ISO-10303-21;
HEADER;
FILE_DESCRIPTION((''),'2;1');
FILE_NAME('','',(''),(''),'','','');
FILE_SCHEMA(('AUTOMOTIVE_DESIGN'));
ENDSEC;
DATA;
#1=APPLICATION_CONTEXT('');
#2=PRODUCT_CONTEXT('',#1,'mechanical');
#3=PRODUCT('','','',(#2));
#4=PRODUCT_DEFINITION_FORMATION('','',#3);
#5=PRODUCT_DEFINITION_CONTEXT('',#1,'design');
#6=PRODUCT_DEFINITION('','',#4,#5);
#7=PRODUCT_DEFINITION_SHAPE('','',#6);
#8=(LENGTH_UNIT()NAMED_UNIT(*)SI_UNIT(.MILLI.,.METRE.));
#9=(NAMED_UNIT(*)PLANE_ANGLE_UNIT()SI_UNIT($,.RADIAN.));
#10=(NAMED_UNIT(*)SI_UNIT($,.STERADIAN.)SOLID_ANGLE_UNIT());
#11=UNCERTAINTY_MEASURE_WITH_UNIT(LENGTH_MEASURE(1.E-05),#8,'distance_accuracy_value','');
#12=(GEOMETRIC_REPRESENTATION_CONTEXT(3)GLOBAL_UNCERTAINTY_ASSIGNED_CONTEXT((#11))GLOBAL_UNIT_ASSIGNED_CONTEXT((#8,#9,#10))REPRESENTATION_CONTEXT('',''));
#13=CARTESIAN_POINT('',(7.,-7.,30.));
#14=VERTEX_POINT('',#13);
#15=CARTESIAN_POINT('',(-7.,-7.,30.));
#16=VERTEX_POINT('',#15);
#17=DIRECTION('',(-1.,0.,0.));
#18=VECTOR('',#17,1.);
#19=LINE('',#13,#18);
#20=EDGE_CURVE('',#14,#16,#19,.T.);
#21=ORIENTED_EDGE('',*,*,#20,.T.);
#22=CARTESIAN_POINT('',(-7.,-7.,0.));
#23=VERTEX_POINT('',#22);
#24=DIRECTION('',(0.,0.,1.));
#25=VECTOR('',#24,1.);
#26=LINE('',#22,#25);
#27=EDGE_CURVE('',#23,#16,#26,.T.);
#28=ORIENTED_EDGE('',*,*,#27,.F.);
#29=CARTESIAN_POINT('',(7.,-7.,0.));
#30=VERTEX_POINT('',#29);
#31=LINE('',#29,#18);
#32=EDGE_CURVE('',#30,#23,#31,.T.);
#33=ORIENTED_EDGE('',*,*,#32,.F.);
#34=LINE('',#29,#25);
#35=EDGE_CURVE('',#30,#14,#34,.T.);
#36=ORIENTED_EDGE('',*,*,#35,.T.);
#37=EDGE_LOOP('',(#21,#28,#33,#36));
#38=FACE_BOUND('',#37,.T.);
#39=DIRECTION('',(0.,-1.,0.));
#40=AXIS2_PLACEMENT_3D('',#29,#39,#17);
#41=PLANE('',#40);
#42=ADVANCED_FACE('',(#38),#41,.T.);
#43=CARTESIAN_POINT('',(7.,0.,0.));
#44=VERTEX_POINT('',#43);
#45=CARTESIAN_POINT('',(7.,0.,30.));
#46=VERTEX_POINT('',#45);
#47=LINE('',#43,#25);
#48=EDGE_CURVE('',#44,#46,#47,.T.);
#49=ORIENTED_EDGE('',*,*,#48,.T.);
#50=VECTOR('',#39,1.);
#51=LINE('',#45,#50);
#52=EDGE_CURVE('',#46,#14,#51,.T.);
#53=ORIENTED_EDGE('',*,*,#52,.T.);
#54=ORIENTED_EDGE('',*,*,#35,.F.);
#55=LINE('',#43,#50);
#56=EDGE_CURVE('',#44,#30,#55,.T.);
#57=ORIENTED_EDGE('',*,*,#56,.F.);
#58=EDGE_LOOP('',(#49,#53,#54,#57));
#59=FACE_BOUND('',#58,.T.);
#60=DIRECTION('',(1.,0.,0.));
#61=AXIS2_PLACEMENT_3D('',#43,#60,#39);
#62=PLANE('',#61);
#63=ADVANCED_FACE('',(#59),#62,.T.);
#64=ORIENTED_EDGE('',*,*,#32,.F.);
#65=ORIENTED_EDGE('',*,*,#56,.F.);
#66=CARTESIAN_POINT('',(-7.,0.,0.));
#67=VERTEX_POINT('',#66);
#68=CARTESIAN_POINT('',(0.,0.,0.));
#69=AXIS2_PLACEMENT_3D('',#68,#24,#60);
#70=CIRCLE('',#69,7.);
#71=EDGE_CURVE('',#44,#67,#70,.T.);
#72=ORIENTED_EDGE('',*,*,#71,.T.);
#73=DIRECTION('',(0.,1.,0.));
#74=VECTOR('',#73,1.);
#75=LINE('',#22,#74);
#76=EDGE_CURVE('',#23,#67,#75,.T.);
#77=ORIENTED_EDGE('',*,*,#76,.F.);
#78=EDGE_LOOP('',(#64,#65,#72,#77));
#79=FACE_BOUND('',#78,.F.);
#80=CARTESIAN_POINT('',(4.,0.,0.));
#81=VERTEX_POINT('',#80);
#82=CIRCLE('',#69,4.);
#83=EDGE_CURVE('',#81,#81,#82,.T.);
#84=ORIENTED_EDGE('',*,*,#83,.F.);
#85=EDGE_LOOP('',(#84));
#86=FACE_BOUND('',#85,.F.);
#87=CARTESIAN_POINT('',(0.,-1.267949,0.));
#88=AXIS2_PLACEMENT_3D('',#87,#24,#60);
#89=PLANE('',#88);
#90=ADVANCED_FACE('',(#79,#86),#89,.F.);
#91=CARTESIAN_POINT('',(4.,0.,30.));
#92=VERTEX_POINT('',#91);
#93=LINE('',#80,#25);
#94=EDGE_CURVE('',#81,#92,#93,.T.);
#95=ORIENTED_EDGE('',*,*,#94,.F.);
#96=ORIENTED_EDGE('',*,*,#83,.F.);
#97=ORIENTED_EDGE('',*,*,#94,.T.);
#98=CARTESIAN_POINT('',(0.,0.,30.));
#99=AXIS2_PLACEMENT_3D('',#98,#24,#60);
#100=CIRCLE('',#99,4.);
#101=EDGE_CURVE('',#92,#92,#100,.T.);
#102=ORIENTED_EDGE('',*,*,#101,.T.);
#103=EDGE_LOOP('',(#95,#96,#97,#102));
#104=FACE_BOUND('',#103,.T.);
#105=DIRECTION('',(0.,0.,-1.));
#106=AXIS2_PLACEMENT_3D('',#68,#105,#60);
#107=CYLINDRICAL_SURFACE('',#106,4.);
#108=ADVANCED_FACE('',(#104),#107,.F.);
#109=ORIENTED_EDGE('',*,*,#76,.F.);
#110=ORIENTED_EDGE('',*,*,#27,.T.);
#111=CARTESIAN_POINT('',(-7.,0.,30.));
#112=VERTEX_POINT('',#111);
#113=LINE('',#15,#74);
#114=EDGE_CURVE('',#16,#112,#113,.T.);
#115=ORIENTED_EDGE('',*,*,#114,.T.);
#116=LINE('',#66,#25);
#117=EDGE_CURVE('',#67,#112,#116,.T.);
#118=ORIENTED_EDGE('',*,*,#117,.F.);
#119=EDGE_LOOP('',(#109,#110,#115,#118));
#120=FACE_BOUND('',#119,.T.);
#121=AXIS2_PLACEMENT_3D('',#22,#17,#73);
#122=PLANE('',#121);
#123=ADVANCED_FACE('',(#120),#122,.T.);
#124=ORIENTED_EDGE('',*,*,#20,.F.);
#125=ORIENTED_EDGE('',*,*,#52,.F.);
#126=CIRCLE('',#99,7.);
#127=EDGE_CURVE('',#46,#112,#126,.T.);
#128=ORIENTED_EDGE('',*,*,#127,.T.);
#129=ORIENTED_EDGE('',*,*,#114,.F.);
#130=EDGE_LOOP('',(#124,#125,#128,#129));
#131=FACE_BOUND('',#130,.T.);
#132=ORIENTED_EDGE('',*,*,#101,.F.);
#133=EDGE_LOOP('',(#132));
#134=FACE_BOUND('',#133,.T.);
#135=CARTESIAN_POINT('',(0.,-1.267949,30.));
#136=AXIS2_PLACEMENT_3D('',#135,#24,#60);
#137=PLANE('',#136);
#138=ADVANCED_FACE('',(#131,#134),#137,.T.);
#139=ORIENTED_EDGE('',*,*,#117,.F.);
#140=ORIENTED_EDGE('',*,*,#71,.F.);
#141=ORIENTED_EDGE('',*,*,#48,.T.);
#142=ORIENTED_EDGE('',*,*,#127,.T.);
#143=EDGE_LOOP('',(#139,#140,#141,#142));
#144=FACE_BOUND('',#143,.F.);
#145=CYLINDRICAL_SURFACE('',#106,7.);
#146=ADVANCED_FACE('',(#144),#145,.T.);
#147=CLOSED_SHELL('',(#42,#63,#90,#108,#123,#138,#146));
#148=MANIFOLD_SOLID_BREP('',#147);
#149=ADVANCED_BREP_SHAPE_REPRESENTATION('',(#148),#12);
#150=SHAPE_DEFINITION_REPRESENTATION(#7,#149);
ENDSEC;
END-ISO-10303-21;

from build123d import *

# Parameters (mm, degrees)
SKETCH_R  = 4
PAD_DEPTH = 30


with BuildPart() as part:
    # Sketch → Pad (new body)
    with BuildSketch(Plane.XY):
        with BuildLine():
            ThreePointArc((7, 0), (0, 7), (-7, 0))
            Line((-7, -7), (-7, 0))
            Line((7, -7), (-7, -7))
            Line((7, 0), (7, -7))
        make_face()
        Circle(SKETCH_R, mode=Mode.SUBTRACT)
    extrude(amount=PAD_DEPTH)


solid = part.part
